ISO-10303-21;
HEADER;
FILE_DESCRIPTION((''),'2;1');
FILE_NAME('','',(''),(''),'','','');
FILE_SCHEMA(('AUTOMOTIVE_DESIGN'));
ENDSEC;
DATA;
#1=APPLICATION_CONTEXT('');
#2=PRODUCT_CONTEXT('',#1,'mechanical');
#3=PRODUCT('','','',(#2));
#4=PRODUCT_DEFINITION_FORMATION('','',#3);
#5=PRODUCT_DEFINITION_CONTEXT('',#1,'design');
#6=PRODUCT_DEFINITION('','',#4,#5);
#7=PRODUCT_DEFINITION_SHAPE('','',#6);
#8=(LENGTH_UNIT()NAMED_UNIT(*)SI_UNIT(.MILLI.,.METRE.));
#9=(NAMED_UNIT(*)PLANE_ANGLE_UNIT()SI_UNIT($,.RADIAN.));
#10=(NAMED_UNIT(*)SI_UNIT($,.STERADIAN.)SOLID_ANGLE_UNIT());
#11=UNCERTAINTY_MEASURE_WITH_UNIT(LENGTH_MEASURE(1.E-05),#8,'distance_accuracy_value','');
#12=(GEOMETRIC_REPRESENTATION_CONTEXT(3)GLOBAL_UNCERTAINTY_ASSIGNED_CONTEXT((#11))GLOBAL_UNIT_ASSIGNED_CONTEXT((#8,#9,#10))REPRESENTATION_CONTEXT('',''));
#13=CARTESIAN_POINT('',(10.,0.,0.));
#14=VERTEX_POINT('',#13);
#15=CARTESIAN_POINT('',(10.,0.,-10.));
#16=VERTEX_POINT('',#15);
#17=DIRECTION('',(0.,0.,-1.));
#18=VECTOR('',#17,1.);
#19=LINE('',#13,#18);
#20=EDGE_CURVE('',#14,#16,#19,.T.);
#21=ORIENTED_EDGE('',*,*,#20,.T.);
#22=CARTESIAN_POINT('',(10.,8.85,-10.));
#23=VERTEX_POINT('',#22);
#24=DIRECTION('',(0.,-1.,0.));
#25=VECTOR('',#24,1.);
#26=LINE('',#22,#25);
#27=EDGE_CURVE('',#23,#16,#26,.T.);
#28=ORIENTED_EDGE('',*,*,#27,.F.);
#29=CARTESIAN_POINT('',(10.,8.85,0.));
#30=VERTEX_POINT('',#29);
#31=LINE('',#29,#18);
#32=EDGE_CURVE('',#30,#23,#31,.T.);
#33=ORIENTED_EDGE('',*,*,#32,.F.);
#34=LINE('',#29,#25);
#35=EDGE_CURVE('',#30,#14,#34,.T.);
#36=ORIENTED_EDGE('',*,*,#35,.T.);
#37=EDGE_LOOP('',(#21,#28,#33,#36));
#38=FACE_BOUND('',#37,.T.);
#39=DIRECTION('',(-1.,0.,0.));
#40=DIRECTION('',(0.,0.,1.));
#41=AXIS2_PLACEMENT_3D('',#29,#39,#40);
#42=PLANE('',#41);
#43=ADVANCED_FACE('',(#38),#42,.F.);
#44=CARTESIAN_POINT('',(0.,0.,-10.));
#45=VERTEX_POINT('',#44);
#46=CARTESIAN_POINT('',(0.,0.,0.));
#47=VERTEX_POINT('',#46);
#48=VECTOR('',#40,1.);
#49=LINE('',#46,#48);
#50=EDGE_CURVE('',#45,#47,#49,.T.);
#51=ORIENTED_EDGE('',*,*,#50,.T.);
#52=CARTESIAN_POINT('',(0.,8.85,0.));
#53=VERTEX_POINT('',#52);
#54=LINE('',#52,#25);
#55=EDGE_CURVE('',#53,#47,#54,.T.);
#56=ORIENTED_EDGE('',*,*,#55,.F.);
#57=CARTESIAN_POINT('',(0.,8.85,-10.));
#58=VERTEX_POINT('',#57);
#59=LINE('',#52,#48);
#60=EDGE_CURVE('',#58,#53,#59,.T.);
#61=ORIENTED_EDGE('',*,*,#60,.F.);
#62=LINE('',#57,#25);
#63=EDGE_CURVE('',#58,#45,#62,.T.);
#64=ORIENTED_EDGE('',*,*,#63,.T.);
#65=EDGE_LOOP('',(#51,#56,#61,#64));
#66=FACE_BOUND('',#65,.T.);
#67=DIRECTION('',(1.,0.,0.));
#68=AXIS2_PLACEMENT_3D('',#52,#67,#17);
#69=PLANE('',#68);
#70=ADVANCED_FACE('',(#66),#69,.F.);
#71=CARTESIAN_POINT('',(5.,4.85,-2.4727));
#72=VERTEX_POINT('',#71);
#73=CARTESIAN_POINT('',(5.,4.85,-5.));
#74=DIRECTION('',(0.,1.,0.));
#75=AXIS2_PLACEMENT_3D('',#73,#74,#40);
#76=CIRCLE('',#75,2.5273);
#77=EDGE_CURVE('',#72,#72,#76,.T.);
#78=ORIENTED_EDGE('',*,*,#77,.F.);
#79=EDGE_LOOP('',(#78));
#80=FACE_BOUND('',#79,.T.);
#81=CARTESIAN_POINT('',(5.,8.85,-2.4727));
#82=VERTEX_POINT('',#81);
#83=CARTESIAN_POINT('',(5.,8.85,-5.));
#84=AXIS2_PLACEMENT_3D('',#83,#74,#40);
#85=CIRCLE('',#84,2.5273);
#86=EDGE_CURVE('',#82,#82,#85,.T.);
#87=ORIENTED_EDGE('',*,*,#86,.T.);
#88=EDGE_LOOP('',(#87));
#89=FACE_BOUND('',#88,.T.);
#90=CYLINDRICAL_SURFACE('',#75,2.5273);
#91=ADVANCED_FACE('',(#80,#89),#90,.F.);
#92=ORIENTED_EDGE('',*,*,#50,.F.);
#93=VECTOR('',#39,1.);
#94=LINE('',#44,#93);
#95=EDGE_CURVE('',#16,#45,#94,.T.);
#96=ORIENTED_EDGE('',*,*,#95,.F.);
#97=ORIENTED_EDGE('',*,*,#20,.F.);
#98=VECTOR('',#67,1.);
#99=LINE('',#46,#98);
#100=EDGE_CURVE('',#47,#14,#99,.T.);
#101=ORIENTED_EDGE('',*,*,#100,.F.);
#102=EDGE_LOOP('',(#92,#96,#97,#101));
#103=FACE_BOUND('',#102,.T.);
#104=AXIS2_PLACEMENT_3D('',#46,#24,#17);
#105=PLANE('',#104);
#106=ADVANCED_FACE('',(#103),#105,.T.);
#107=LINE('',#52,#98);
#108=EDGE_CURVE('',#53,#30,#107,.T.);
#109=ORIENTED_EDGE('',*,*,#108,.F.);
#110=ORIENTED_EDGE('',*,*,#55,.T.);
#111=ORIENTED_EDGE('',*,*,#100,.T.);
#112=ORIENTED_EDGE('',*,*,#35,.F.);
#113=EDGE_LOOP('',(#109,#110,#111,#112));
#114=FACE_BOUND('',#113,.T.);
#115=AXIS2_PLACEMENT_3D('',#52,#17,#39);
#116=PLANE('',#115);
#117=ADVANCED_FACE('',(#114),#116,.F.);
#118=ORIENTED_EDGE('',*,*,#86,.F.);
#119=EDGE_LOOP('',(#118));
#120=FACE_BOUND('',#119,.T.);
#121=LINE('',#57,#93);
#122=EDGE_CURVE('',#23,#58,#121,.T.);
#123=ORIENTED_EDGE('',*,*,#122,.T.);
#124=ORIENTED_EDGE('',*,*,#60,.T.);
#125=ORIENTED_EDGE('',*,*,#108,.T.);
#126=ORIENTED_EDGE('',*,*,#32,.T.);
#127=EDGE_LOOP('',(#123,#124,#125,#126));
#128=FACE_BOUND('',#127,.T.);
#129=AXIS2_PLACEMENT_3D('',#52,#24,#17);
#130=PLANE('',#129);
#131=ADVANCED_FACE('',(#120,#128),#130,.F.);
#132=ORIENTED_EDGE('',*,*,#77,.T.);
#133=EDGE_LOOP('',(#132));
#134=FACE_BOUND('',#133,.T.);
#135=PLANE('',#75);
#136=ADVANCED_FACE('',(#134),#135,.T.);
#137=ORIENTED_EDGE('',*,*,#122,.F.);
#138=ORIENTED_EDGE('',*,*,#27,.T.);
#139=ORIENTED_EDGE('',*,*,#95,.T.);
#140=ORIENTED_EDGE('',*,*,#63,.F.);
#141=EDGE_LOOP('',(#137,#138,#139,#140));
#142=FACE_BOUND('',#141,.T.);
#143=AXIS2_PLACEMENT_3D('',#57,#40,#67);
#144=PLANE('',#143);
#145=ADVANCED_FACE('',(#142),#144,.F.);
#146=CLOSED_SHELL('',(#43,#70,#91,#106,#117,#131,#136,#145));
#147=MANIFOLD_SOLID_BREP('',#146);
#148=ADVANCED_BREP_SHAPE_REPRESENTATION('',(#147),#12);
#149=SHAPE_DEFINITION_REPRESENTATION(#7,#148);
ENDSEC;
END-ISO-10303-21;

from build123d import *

# Parameters (mm, degrees)
SKETCH1_W           = 10
SKETCH1_H           = 10
BOSS_EXTRUDE1_DEPTH = 8.85
SKETCH2_R           = 2.5273
CUT_EXTRUDE1_DEPTH  = 4


with BuildPart() as part:
    # Sketch1 → Boss-Extrude1 (new body)
    with BuildSketch(Plane(origin=(0, 0, 0), x_dir=(1, 0, 0), z_dir=(0, 1, 0))):
        with Locations((5, 5)):
            Rectangle(SKETCH1_W, SKETCH1_H)
    extrude(amount=BOSS_EXTRUDE1_DEPTH)

    # Sketch2 → Cut-Extrude1 (cut)
    with BuildSketch(Plane(origin=(0, 8.85, 0), x_dir=(1, 0, 0), z_dir=(0, 1, 0))):
        with Locations((5, 5)):
            Circle(SKETCH2_R)
    extrude(amount=-CUT_EXTRUDE1_DEPTH, mode=Mode.SUBTRACT)


solid = part.part
